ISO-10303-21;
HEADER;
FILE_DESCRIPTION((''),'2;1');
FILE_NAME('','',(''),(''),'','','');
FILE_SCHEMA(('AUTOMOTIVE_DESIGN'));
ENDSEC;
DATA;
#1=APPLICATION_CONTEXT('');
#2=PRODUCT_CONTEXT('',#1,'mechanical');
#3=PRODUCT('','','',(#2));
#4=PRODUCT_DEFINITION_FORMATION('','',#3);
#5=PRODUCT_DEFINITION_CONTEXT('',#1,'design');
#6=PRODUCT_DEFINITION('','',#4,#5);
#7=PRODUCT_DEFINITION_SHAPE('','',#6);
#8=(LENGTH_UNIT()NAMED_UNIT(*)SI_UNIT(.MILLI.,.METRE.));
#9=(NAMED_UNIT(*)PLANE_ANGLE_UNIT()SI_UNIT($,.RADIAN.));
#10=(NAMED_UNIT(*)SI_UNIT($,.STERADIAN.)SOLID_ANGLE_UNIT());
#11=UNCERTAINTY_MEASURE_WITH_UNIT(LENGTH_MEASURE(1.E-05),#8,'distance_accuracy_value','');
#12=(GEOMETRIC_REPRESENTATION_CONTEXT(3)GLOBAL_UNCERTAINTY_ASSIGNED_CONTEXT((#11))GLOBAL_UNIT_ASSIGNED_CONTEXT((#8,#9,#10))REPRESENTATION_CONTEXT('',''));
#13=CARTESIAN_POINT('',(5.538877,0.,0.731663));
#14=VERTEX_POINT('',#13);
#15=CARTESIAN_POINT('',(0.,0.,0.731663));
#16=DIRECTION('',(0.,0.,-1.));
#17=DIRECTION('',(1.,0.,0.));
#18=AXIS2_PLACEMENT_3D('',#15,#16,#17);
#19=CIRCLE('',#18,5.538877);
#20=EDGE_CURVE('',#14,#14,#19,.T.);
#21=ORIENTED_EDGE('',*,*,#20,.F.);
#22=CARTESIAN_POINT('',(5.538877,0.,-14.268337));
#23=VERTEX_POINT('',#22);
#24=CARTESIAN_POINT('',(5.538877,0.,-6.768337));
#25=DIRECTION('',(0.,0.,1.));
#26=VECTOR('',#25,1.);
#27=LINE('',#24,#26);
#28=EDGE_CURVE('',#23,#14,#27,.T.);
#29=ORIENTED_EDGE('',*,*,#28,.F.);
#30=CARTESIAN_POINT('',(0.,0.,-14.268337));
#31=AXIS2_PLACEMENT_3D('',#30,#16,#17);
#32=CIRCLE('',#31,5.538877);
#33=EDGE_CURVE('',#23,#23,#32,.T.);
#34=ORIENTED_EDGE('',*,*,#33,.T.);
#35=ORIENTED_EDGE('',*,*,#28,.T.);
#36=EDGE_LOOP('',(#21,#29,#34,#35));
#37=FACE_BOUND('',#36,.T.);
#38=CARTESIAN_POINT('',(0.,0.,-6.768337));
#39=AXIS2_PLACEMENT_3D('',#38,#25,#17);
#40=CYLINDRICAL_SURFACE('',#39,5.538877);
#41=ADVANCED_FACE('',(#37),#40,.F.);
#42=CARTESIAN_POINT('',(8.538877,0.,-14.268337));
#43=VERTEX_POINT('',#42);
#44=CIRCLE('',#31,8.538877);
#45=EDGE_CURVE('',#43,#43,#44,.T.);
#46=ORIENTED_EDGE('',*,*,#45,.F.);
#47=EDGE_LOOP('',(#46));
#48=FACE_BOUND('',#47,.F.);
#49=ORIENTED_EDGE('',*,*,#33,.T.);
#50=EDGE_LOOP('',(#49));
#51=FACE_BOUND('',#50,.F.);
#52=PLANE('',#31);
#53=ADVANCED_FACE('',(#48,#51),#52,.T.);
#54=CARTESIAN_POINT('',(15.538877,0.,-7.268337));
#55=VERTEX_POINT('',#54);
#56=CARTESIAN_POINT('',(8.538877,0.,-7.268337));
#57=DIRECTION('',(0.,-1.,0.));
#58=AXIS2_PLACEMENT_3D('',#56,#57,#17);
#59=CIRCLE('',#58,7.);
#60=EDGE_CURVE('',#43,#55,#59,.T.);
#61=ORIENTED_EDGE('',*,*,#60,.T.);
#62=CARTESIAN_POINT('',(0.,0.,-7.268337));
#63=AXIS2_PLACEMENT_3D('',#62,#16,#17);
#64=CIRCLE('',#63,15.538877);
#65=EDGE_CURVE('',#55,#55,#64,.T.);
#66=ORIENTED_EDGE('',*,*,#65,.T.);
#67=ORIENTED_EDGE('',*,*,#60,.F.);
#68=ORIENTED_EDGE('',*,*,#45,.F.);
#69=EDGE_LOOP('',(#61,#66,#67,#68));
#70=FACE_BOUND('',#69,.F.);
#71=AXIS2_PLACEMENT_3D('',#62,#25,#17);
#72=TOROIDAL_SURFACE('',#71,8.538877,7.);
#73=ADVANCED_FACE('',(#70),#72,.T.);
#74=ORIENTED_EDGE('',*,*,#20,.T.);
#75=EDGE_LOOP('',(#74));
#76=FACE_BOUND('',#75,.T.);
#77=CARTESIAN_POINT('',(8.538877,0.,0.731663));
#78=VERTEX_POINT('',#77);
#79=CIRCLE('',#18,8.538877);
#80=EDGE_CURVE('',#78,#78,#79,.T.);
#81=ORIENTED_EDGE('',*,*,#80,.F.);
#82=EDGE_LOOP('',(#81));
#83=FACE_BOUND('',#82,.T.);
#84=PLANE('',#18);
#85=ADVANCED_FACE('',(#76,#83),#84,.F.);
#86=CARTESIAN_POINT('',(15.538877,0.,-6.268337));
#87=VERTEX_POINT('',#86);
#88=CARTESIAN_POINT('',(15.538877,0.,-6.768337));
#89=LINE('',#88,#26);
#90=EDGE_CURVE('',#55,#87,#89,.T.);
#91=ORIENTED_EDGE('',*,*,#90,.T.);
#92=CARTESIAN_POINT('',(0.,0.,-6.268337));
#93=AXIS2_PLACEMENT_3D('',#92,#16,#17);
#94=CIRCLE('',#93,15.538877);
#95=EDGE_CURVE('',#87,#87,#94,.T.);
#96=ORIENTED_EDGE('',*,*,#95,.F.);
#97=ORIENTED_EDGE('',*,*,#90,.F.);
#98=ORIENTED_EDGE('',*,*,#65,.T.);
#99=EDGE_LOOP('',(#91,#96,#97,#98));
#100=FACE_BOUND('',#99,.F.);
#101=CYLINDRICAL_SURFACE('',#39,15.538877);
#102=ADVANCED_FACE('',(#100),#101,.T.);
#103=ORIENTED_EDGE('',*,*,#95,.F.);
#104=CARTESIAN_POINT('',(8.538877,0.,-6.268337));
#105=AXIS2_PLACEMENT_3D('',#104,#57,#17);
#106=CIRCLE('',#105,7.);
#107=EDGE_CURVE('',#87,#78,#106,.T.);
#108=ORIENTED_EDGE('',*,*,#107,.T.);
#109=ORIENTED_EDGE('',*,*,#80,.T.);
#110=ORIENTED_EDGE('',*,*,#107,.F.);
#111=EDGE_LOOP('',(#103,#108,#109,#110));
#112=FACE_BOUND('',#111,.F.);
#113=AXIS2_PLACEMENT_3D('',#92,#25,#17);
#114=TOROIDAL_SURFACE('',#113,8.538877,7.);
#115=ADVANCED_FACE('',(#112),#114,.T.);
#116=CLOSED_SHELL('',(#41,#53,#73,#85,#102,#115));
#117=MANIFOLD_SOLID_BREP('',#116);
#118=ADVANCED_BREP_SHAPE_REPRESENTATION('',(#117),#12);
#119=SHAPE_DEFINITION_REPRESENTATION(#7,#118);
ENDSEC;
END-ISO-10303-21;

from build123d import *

# Parameters (mm, degrees)
F0_W = 10
F0_H = 15
F2_R = 7


with BuildPart() as f1:
    # F0 (on Front) → F1 (revolve)
    with BuildSketch(Plane.XZ):
        with Locations((10.538877, -6.768337)):
            Rectangle(F0_W, F0_H)
    revolve(axis=Axis((0, 0, -1.957991), (0, 0, -1)))

    # F2
    f2_edges = [f1.edges().sort_by_distance(p)[0] for p in [
        (-15.538877, 0, 0.731663),
        (-15.538877, 0, -14.268337),
    ]]
    fillet(f2_edges, radius=F2_R)


solid = f1.part
